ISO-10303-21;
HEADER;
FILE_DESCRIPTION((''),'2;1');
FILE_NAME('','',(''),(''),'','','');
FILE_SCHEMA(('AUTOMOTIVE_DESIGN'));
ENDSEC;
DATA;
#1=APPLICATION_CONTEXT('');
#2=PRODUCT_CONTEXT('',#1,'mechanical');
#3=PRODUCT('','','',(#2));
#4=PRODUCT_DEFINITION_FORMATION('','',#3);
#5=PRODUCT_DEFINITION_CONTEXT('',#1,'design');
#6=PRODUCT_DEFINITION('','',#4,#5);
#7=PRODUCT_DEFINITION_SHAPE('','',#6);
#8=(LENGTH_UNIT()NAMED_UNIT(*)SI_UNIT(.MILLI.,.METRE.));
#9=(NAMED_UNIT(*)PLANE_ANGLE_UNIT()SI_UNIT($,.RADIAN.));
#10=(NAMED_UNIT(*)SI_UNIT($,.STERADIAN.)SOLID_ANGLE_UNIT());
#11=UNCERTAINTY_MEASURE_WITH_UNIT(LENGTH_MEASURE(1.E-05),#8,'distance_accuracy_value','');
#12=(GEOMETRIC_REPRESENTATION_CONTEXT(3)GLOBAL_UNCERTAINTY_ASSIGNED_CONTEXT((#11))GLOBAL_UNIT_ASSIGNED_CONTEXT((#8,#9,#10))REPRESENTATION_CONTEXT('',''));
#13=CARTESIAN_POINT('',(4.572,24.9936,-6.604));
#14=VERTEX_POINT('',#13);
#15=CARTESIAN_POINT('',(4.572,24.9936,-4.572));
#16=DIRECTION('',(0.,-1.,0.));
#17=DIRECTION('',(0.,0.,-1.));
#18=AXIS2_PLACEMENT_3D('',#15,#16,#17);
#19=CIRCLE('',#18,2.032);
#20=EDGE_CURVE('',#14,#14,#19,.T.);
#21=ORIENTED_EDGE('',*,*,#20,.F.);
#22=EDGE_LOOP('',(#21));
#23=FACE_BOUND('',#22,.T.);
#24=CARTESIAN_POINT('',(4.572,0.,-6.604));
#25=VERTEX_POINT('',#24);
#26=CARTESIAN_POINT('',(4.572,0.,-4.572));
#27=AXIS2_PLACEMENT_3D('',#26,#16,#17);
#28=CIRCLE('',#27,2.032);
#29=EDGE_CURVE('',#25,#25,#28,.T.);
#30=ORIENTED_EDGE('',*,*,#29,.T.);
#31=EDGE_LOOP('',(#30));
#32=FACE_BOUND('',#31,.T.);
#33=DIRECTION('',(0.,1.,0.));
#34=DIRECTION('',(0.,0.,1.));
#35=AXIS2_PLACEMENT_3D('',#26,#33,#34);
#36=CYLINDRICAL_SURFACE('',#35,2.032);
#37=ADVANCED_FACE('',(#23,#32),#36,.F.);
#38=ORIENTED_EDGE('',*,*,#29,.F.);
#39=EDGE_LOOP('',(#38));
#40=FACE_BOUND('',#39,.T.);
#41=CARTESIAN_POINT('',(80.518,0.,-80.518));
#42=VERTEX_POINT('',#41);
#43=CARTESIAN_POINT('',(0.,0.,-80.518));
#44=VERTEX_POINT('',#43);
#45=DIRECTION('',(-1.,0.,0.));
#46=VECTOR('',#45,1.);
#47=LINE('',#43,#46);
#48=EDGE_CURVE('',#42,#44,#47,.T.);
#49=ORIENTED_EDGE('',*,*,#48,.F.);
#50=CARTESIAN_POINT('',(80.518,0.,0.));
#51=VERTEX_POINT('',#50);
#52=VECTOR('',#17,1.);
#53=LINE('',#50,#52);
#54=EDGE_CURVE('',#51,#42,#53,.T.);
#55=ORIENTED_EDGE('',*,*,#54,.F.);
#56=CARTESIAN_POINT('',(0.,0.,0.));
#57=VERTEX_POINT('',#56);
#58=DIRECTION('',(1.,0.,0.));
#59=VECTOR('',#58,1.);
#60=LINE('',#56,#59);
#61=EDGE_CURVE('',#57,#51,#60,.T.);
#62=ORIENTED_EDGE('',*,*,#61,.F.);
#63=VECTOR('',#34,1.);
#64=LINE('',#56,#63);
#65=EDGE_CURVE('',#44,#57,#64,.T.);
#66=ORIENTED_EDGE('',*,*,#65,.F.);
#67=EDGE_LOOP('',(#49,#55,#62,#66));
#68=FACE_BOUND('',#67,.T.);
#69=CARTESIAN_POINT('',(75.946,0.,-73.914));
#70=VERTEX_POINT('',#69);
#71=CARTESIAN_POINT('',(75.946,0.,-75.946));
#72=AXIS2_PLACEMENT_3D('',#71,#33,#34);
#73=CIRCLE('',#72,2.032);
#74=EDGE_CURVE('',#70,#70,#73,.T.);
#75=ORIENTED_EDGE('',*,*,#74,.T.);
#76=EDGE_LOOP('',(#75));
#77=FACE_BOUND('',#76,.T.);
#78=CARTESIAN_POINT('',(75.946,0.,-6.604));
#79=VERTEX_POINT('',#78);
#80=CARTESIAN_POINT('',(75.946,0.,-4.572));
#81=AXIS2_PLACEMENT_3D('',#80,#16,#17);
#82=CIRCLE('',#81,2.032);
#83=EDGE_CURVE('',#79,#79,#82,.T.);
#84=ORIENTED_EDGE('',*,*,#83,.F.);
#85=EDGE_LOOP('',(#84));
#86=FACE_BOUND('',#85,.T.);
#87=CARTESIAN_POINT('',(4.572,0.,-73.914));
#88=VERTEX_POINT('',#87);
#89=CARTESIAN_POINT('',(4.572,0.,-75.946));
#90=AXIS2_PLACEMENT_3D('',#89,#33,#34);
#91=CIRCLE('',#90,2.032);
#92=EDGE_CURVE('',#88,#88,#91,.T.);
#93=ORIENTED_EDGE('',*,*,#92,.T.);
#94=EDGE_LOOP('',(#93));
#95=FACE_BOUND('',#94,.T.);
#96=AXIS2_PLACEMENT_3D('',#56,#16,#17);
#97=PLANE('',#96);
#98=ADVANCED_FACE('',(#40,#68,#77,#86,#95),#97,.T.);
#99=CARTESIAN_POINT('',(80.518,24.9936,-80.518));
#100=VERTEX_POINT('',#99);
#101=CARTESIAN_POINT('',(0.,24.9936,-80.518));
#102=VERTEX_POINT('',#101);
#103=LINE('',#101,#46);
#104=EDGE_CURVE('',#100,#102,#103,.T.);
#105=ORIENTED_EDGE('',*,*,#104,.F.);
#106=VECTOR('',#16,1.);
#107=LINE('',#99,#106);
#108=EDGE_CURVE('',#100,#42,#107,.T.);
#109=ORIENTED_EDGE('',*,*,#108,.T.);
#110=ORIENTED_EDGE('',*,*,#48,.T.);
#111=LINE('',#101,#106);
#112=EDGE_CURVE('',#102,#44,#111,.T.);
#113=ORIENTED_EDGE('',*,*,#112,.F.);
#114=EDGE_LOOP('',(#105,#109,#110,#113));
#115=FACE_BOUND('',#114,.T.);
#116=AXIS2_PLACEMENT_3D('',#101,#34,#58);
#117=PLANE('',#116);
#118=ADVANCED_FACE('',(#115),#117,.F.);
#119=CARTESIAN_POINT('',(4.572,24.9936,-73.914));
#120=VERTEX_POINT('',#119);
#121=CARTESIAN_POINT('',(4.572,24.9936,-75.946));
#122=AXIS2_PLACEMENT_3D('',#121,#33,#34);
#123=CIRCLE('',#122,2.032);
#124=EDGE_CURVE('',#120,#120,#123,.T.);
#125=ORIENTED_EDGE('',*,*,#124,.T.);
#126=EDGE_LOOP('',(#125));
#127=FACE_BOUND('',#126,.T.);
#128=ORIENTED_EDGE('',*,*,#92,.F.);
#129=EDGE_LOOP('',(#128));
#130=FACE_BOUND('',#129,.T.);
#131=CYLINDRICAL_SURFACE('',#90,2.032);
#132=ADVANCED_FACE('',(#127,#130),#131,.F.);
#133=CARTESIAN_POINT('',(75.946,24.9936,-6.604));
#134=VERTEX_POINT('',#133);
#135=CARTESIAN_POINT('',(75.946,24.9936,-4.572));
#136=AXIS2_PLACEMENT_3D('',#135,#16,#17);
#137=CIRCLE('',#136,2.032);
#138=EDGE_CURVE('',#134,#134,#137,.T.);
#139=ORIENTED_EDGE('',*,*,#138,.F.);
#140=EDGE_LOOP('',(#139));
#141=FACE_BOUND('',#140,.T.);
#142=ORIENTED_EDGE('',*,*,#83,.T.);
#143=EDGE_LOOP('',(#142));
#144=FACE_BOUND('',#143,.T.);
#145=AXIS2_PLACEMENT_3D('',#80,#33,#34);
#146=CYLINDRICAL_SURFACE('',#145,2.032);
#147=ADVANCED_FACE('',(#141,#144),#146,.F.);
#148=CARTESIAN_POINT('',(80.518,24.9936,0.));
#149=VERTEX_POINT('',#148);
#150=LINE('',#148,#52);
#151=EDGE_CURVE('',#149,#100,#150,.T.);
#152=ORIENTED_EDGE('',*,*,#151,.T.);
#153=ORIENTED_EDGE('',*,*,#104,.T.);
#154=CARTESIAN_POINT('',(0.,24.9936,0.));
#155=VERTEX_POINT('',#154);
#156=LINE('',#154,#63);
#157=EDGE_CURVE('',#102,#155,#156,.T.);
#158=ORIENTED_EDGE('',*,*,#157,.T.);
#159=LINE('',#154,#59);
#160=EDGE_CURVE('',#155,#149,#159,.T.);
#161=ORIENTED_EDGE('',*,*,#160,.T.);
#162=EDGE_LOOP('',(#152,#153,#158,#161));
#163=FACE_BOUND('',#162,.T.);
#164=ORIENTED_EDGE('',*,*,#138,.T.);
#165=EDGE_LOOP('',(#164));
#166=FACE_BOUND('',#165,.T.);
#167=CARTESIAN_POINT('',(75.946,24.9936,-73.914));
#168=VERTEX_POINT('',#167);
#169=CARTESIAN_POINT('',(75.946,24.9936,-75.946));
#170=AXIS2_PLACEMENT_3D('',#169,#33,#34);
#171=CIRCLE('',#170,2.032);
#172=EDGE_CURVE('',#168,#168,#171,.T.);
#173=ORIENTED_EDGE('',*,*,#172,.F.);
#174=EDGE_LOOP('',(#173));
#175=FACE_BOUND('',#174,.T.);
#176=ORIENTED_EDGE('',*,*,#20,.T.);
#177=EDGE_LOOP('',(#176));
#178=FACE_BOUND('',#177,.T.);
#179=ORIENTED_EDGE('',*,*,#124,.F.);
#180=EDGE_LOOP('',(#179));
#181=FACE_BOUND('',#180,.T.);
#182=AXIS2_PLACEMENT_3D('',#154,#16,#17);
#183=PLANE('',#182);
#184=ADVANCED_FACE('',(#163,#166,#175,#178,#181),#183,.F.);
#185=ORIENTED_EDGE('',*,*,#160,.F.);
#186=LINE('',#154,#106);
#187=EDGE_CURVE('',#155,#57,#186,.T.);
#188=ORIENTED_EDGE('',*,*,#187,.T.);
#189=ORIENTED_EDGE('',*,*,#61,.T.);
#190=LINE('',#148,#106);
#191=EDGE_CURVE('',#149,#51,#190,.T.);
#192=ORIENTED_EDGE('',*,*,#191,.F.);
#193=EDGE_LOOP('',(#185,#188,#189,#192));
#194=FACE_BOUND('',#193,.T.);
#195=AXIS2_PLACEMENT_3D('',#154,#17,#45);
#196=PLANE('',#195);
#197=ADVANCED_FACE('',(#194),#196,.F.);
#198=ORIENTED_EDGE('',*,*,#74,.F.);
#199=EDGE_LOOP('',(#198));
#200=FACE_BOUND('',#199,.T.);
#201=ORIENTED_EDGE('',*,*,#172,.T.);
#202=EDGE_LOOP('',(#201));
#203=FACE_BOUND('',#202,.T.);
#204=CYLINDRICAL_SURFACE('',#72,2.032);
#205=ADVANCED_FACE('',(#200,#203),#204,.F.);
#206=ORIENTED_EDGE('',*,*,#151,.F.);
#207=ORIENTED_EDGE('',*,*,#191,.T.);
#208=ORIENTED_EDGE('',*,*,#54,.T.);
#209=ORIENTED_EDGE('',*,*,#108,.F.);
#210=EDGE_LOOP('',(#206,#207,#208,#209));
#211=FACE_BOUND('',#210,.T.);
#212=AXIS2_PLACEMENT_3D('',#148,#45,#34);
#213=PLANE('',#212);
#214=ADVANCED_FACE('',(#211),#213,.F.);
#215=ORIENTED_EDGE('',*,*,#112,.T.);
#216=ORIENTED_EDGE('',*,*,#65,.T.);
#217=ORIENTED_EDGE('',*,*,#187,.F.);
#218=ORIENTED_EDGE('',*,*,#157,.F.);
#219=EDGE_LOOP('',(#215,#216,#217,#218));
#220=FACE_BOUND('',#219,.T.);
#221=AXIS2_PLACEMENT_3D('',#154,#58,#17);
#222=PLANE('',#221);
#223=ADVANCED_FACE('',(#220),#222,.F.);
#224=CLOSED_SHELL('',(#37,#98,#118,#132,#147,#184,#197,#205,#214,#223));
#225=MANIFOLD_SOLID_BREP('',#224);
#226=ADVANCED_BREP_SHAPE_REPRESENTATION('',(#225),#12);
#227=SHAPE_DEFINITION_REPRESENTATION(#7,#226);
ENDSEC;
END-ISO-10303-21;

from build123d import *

# Parameters (mm, degrees)
SKETCH1_W           = 80.518
SKETCH1_H           = 80.518
BOSS_EXTRUDE1_DEPTH = 24.9936
SKETCH2_R           = 2.032
CUT_EXTRUDE1_DEPTH  = 117.580344351


with BuildPart() as part:
    # Sketch1 → Boss-Extrude1 (new body)
    with BuildSketch(Plane(origin=(0, 0, 0), x_dir=(1, 0, 0), z_dir=(0, 1, 0))):
        with Locations((40.259, 40.259)):
            Rectangle(SKETCH1_W, SKETCH1_H)
    extrude(amount=BOSS_EXTRUDE1_DEPTH)

    # Sketch2 → Cut-Extrude1 (cut, through all)
    with BuildSketch(Plane(origin=(0, 24.9936, 0), x_dir=(1, 0, 0), z_dir=(0, 1, 0))):
        with Locations(Location((4.572, 75.946, 0), (0, 0, 270))):
            Circle(SKETCH2_R)
        with Locations(Location((75.946, 75.946, 0), (0, 0, 270))):
            Circle(SKETCH2_R)
    cut_extrude1 = extrude(amount=-CUT_EXTRUDE1_DEPTH, mode=Mode.SUBTRACT)

    # Mirror1: Cut-Extrude1 across plane
    add(cut_extrude1.mirror(Plane(origin=(0, 0, -40.259), x_dir=(1, 0, 0), z_dir=(0, 0, -1))), mode=Mode.SUBTRACT)


solid = part.part
